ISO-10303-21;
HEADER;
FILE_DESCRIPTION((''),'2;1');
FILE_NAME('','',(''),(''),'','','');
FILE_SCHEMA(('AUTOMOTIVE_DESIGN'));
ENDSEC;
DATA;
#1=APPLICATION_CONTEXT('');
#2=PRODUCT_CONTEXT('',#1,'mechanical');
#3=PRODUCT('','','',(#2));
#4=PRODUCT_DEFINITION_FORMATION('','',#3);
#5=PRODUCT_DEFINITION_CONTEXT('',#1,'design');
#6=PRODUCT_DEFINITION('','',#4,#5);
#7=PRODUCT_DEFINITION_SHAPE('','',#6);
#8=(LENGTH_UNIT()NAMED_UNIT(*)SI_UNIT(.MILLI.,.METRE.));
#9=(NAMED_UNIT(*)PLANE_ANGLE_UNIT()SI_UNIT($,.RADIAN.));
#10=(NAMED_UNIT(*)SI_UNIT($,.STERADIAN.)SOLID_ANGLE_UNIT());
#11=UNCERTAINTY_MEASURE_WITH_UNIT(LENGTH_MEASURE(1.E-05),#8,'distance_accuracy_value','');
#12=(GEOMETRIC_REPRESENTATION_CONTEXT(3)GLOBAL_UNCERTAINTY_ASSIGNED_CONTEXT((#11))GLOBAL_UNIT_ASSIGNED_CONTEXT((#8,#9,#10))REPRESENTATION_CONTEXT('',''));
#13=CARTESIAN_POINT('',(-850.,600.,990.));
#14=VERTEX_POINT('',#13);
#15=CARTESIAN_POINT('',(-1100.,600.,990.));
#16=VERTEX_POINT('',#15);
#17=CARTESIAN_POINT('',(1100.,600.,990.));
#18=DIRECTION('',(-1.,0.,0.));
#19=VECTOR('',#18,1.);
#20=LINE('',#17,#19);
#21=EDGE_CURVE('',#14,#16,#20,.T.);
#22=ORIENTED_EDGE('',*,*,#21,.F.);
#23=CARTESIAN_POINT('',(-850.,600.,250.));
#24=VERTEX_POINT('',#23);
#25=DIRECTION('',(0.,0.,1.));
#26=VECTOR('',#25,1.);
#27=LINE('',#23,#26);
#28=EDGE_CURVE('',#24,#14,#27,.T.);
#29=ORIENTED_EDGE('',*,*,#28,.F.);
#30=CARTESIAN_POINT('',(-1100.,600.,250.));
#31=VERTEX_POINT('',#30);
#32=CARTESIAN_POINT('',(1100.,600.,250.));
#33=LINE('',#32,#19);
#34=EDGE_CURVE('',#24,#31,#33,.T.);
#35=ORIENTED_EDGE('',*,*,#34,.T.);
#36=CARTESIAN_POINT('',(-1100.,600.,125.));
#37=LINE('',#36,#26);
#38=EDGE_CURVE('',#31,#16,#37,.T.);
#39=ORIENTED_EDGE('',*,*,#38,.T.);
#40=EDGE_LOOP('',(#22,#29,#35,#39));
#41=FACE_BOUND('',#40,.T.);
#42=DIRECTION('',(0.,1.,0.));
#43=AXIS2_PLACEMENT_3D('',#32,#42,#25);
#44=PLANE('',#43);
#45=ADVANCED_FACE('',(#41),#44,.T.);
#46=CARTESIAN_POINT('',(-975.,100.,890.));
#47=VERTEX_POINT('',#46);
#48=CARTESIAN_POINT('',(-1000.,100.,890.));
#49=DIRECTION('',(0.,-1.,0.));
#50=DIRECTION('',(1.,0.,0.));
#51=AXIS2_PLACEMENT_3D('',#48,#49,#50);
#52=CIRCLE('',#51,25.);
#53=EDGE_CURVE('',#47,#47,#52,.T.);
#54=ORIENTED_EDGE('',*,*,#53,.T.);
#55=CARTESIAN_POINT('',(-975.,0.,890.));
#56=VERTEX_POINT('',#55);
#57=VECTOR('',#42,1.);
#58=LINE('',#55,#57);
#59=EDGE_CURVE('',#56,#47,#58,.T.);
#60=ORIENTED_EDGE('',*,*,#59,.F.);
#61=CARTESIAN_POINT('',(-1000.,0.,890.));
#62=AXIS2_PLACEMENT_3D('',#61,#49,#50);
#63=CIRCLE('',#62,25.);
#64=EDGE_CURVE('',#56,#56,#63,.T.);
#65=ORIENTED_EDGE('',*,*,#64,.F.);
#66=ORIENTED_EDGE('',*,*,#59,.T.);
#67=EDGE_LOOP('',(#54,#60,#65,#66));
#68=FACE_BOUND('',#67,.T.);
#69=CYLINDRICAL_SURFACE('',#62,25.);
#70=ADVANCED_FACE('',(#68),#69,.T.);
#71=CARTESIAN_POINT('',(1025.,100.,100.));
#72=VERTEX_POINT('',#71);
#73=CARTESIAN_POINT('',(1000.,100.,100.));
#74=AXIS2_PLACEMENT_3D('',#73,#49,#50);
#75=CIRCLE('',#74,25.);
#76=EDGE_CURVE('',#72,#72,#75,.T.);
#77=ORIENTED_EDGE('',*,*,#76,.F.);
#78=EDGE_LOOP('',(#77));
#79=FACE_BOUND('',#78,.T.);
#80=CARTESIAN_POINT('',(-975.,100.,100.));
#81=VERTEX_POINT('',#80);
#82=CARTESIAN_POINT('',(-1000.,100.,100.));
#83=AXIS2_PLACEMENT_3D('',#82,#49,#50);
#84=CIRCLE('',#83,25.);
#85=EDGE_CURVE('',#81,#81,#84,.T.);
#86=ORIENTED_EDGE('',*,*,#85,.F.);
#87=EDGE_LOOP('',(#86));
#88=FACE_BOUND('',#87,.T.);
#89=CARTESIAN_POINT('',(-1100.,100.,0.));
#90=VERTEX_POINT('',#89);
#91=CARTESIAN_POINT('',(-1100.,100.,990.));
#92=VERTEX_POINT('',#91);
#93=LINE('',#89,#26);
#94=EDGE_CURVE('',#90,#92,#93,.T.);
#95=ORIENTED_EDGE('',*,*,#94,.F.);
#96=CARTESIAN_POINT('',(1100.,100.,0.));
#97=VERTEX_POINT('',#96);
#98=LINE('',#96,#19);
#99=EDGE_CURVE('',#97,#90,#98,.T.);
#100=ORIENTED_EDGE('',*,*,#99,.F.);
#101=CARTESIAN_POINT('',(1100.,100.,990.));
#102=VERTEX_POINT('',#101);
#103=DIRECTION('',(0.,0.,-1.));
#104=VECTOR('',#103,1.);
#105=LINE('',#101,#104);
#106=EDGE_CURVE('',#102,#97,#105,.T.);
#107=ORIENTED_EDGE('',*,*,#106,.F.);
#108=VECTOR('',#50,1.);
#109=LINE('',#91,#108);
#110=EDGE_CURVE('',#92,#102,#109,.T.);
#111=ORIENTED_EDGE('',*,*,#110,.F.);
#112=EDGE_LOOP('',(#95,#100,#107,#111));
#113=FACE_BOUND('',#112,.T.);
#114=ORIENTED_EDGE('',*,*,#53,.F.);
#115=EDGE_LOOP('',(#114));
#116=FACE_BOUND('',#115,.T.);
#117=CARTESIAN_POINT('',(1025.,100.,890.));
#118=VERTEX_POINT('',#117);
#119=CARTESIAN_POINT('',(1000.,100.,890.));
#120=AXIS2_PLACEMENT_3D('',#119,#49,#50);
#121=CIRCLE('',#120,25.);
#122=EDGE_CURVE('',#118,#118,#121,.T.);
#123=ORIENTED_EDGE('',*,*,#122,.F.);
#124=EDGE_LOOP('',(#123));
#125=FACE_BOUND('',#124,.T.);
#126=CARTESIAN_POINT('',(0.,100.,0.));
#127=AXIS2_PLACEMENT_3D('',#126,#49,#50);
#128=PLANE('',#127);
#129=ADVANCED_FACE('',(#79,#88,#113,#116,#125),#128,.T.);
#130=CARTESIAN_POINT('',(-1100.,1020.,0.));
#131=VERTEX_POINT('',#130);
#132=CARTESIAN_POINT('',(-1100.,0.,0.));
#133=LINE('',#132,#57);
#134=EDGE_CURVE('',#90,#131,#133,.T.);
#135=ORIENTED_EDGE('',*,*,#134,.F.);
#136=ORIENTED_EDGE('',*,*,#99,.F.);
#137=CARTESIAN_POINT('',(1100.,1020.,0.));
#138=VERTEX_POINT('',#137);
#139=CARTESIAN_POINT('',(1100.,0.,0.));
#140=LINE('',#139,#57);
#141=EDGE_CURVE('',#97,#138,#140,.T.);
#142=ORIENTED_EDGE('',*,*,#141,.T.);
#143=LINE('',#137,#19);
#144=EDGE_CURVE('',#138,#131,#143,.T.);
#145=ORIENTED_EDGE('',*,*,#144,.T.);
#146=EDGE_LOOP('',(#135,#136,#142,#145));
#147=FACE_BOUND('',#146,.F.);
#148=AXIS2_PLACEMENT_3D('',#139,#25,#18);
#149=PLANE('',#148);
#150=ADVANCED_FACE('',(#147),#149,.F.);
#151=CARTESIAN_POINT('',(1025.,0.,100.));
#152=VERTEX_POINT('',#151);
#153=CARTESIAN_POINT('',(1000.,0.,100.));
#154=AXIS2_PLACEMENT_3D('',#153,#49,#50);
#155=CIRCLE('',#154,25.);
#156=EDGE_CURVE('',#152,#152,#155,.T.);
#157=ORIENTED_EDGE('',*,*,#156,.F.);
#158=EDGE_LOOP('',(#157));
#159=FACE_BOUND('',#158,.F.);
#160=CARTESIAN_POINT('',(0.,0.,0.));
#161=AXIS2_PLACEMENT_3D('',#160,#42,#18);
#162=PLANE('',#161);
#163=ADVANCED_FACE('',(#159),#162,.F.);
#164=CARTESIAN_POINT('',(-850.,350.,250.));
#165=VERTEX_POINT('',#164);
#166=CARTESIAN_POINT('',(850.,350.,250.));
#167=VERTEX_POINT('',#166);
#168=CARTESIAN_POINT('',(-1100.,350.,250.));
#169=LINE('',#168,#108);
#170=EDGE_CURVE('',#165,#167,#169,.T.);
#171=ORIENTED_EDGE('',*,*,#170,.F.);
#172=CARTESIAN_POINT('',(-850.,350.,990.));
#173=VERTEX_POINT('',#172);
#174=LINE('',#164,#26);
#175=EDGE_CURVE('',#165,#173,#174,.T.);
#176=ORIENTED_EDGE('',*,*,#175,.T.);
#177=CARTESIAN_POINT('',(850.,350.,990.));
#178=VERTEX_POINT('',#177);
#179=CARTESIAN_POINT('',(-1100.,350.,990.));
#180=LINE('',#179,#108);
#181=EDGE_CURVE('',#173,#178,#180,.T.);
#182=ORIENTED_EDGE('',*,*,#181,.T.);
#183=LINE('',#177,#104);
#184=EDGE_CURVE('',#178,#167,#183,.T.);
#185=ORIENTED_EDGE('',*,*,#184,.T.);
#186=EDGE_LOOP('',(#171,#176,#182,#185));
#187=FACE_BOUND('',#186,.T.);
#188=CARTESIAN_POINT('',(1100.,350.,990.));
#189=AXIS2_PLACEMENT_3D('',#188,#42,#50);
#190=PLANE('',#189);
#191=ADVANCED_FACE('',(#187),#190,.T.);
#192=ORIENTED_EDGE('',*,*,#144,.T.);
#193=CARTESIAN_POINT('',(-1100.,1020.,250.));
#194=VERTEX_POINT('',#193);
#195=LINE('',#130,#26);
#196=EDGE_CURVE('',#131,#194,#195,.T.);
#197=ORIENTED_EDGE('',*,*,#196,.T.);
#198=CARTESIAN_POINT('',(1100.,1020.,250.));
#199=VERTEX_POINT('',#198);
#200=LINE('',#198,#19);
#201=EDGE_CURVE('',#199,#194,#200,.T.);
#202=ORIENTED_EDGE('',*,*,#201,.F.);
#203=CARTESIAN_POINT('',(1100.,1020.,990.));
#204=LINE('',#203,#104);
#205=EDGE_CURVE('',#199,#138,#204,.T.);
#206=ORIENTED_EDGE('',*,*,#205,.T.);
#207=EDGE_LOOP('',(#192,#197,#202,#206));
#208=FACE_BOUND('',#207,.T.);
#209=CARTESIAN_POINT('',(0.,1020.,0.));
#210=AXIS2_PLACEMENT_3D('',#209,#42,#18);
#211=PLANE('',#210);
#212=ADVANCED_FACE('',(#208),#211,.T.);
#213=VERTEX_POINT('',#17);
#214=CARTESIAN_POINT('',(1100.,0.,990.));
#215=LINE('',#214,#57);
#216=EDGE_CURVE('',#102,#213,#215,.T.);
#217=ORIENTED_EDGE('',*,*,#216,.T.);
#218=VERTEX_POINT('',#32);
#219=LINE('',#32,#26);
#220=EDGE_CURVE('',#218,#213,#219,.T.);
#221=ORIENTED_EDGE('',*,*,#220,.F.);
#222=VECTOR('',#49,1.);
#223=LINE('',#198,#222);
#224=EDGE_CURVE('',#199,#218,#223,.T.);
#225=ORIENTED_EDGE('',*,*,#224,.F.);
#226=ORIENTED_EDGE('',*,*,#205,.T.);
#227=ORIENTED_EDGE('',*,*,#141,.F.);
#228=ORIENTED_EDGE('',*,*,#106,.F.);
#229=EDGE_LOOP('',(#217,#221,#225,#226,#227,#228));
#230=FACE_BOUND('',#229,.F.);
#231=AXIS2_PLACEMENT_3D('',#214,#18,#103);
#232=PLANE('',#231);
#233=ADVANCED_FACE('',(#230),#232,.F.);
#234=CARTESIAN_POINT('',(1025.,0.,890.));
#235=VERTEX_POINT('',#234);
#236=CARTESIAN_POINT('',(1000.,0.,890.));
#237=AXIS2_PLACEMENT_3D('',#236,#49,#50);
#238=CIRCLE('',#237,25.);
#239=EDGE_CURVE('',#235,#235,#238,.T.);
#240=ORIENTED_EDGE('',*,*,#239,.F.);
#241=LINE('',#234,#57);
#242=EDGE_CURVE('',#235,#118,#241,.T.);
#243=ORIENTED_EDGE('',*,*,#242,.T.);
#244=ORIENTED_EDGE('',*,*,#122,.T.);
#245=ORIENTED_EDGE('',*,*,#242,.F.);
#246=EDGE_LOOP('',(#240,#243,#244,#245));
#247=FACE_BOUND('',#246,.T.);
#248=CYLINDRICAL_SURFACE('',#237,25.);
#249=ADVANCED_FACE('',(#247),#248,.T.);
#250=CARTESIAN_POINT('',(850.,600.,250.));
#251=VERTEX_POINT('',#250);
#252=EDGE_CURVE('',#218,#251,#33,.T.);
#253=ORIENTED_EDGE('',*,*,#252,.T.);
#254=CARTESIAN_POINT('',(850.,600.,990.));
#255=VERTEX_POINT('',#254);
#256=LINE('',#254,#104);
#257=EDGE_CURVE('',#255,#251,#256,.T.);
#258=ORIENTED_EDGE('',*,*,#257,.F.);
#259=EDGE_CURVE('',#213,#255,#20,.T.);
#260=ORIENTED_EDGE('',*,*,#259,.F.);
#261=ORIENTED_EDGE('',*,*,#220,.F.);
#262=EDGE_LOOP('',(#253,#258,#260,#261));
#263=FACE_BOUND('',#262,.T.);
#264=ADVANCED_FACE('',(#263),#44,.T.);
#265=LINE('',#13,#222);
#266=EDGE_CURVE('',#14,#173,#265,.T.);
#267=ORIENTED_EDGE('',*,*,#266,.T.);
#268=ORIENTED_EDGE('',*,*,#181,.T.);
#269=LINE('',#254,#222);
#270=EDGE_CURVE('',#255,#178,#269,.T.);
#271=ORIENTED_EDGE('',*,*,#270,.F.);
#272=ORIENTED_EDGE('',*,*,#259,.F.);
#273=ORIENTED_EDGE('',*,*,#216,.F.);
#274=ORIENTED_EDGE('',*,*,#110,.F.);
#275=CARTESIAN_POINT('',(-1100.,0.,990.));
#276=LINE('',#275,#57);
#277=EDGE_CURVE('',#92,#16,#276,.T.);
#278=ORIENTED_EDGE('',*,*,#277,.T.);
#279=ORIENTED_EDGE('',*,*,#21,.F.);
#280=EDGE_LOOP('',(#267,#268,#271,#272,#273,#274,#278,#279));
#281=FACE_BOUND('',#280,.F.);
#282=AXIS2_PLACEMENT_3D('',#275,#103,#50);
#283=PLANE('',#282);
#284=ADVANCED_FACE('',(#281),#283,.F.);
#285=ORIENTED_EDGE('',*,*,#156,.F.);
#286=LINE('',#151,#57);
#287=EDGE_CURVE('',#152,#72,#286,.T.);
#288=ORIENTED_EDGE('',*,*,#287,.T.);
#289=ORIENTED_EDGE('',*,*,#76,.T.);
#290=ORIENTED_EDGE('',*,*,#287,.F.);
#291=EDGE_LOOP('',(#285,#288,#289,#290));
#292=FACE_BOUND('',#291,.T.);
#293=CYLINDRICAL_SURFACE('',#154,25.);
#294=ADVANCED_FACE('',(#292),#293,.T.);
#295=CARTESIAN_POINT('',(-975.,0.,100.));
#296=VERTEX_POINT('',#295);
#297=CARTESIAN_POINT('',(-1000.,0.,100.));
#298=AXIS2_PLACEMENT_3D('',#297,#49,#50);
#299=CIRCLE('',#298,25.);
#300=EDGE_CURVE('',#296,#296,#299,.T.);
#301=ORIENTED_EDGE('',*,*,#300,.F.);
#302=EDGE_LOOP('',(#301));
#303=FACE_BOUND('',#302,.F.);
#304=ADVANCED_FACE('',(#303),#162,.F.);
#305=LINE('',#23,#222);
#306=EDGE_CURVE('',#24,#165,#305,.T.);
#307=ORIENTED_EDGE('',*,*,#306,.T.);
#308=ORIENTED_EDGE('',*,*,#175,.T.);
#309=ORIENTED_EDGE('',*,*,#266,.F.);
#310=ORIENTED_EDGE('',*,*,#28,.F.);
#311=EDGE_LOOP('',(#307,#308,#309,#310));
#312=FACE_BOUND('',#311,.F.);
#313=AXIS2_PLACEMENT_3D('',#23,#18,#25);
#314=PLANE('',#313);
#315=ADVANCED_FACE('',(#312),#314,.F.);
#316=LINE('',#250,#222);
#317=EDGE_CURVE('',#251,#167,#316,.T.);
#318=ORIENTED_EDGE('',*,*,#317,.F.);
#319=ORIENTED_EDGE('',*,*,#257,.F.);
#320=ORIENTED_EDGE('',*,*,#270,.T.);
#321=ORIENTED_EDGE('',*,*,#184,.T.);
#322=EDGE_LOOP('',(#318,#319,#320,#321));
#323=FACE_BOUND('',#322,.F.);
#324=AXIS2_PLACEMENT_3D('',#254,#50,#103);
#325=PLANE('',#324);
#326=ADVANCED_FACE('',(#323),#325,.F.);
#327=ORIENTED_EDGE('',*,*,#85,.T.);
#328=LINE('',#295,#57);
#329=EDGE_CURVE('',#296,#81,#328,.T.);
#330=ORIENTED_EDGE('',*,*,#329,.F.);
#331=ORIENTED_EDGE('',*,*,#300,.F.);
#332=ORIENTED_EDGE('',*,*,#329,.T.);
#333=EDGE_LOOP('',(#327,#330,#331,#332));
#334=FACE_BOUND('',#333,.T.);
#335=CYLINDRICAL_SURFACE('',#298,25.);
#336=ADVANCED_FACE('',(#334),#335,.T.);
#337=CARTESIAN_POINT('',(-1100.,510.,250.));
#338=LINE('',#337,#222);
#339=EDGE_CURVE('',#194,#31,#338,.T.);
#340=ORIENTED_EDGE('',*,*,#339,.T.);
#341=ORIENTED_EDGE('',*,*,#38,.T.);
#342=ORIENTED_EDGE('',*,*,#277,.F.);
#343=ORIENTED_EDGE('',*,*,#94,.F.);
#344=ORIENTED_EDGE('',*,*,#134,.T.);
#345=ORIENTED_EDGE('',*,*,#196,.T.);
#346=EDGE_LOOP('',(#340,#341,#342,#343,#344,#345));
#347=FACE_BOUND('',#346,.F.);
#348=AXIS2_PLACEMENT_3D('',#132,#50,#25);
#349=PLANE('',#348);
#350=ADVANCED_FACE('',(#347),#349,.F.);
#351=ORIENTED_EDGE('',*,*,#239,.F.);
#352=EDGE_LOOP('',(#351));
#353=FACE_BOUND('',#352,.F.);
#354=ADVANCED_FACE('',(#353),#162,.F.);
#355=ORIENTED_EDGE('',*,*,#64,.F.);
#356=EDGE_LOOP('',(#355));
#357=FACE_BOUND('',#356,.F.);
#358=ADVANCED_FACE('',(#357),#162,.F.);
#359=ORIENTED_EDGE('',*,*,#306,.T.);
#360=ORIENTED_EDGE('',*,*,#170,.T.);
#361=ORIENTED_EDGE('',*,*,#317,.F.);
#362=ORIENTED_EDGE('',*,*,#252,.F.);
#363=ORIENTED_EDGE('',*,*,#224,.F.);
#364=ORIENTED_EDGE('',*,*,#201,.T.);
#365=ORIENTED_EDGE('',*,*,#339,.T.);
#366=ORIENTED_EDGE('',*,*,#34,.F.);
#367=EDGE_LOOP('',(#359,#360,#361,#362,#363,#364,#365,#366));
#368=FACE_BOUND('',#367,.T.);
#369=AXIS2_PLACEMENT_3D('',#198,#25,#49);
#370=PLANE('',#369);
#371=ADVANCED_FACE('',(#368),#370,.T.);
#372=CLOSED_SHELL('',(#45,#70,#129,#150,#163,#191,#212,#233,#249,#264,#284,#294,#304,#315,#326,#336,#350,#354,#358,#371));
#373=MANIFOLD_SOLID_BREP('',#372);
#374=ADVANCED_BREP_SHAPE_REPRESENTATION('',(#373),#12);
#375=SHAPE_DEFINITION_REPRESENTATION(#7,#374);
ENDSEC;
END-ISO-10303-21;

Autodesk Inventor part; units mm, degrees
ref_plane "YZ Plane" through (0, 0, 0) normal (1, 0, 0) x (0, 1, 0)
ref_plane "XZ Plane" through (0, 0, 0) normal (0, 1, 0) x (-1, 0, 0)
ref_plane "XY Plane" through (0, 0, 0) normal (0, 0, 1) x (1, 0, 0)
sketch "Sketch1" plane through (0, 0, 0) normal (0, 1, 0) x (-1, 0, 0)
  line L0 (1100, 990) -> (-1100, 990)
  line L1 (-1100, 990) -> (-1100, 0)
  line L2 (-1100, 0) -> (1100, 0)
  line L3 (1100, 0) -> (1100, 990)
  point P0 (0, 0)
  point P1 (0, 0)
  dimension "d0" = 2200
  dimension "d1" = 990
extrude "Extrusion1" add sketch "Sketch1" along normal blind 1020
sketch "Sketch2" plane through (1100, 0, 990) normal (1, 0, 0) x (0, 0, -1)
  line L0 (0, 0) -> (0, 1020) projected
  line L1 (0, 1020) -> (740, 1020)
  line L2 (740, 1020) -> (740, 600)
  line L3 (740, 600) -> (0, 600)
  line L4 (0, 600) -> (0, 1020)
  line L5 (990, 0) -> (990, 1020) projected
  point P0 (0, 600)
  dimension "d4" = 600
  dimension "d5" = 250
extrude "Extrusion2" cut sketch "Sketch2" against normal through all
sketch "Sketch3" plane through (1100, 600, 990) normal (0, 1, 0) x (1, 0, 0)
  line L0 (-2200, 0) -> (0, 0) projected
  line L1 (-2200, 740) -> (0, 740) projected
  line L2 (-1950, 0) -> (-250, 0)
  line L3 (-250, 0) -> (-250, 740)
  line L4 (-250, 740) -> (-1950, 740)
  line L5 (-1950, 740) -> (-1950, 0)
  line L6 (-2200, 0) -> (-2200, 740) projected
  point P0 (-1100, 990)
  point P1 (-1100, 0)
  point P2 (-1100, 0)
  point P3 (-1950, 740)
  point P4 (-250, 0)
  dimension "d8" = 250
extrude "Extrusion3" cut sketch "Sketch3" against normal blind 250 contours L5 L1 L3 L0
sketch "Sketch4" plane through (0, 0, 0) normal (0, -1, 0) x (1, 0, 0)
  line L0 (1100, 990) -> (1100, 0) projected
  line L1 (-1100, 990) -> (1100, 990) projected
  line L2 (-1100, 0) -> (-1100, 990) projected
  line L3 (1100, 0) -> (-1100, 0) projected
  line L4 (1000, 890) -> (1000, 100) construction
  line L5 (1000, 100) -> (-1000, 100) construction
  line L6 (-1000, 100) -> (-1000, 890) construction
  line L7 (-1000, 890) -> (1000, 890) construction
  circle A0 centre (-1000, 890) radius 25
  circle A1 centre (1000, 890) radius 25
  circle A2 centre (1000, 100) radius 25
  circle A3 centre (-1000, 100) radius 25
  point P0 (0, 0)
  dimension "d11" = 100
  dimension "d12" = 50
  dimension "d13" = 50
  dimension "d14" = 50
  dimension "d15" = 50
extrude "Extrusion4" cut sketch "Sketch4" against normal blind 100
properties part number "Divano Valdinoce"
